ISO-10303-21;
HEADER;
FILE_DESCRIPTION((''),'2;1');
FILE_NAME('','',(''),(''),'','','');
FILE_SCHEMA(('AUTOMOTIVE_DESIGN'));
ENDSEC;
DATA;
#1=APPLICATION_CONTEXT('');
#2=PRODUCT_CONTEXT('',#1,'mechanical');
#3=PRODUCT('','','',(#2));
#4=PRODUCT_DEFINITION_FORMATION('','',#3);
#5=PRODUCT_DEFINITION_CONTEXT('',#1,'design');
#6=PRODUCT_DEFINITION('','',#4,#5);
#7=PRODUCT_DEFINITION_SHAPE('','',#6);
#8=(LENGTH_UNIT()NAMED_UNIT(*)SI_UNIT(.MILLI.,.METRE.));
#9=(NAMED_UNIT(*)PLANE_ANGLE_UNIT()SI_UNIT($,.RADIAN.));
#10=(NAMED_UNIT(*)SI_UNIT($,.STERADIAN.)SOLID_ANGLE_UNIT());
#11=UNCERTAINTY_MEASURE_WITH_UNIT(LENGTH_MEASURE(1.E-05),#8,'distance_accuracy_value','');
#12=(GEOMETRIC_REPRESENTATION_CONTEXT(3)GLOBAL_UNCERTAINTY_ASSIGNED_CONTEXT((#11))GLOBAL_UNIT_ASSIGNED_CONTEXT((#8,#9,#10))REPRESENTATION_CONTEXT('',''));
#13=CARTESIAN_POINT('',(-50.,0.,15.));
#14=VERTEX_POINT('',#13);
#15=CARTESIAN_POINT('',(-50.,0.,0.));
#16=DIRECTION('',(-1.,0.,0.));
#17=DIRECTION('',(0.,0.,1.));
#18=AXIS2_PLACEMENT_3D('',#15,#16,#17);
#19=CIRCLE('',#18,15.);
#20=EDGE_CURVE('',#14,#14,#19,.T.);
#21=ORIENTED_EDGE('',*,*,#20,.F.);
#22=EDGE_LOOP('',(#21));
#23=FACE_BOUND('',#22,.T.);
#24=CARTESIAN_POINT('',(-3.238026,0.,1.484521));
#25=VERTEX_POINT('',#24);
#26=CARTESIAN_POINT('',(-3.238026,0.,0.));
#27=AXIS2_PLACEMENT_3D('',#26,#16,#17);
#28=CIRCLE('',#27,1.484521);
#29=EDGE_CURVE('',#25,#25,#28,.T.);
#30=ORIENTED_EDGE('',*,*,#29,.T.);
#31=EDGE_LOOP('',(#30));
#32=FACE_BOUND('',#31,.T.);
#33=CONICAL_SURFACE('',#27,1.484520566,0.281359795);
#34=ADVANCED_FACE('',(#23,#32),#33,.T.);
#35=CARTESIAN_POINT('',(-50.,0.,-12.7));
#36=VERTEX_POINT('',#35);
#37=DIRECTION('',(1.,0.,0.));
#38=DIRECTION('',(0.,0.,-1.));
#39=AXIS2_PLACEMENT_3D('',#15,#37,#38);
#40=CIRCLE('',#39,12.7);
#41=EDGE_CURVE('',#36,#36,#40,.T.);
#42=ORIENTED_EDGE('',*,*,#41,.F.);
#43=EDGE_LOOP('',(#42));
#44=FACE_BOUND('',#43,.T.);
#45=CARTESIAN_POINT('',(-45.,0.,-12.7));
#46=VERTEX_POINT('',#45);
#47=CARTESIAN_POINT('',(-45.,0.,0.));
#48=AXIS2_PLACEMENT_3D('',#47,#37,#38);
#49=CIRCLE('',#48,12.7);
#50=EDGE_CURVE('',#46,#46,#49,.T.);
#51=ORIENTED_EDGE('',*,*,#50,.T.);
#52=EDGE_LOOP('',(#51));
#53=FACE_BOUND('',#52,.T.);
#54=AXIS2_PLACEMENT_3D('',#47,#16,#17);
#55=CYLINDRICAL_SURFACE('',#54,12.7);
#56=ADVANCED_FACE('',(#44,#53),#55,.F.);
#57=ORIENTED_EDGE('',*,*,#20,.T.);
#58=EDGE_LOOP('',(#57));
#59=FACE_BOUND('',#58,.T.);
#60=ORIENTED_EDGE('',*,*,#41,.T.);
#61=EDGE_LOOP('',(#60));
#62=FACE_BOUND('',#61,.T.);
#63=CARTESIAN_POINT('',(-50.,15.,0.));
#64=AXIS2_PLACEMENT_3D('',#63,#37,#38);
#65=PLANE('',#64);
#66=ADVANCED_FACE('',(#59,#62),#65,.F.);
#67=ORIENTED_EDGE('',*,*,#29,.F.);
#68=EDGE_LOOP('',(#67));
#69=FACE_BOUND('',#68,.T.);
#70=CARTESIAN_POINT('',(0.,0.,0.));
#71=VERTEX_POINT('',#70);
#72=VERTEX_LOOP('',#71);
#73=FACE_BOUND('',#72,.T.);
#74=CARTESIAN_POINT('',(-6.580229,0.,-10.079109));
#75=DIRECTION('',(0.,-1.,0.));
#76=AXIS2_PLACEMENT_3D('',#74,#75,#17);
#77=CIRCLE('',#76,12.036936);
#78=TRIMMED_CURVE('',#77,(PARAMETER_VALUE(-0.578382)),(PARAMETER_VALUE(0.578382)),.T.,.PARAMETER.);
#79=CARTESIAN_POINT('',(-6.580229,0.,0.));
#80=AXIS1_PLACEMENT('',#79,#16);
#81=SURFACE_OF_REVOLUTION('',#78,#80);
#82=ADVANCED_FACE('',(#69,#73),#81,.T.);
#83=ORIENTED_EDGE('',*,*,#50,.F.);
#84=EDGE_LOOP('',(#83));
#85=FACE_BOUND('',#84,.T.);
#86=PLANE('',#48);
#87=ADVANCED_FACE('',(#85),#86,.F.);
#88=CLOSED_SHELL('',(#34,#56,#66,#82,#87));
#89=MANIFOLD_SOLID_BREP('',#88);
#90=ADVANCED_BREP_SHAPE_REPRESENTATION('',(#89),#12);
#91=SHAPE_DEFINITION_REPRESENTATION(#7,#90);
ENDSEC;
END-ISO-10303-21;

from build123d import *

# Parameters (mm, degrees)
CUT_EXTRUDE1_START = -50
SKETCH3_R          = 12.7
CUT_EXTRUDE1_DEPTH = 5


with BuildPart() as part:
    # Sketch1 → Revolve3 (revolve)
    with BuildSketch(Plane.XY):
        with BuildLine():
            Line((-50, 15), (-3.238025925, 1.484520566))
            ThreePointArc((-3.238025925, 1.484520566), (-1.563794514, 0.862702378), (0, 0))
            Line((0, 0), (-50, 0))
            Line((-50, 0), (-50, 15))
        make_face()
    revolve(axis=Axis((-90, 0, 0), (1, 0, 0)))

    # Sketch3 → Cut-Extrude1 (cut)
    with BuildSketch(Plane(origin=(0, 0, 0), x_dir=(0, 0, -1), z_dir=(1, 0, 0)).offset(CUT_EXTRUDE1_START)):
        Circle(SKETCH3_R)
    extrude(amount=CUT_EXTRUDE1_DEPTH, mode=Mode.SUBTRACT)


solid = part.part
